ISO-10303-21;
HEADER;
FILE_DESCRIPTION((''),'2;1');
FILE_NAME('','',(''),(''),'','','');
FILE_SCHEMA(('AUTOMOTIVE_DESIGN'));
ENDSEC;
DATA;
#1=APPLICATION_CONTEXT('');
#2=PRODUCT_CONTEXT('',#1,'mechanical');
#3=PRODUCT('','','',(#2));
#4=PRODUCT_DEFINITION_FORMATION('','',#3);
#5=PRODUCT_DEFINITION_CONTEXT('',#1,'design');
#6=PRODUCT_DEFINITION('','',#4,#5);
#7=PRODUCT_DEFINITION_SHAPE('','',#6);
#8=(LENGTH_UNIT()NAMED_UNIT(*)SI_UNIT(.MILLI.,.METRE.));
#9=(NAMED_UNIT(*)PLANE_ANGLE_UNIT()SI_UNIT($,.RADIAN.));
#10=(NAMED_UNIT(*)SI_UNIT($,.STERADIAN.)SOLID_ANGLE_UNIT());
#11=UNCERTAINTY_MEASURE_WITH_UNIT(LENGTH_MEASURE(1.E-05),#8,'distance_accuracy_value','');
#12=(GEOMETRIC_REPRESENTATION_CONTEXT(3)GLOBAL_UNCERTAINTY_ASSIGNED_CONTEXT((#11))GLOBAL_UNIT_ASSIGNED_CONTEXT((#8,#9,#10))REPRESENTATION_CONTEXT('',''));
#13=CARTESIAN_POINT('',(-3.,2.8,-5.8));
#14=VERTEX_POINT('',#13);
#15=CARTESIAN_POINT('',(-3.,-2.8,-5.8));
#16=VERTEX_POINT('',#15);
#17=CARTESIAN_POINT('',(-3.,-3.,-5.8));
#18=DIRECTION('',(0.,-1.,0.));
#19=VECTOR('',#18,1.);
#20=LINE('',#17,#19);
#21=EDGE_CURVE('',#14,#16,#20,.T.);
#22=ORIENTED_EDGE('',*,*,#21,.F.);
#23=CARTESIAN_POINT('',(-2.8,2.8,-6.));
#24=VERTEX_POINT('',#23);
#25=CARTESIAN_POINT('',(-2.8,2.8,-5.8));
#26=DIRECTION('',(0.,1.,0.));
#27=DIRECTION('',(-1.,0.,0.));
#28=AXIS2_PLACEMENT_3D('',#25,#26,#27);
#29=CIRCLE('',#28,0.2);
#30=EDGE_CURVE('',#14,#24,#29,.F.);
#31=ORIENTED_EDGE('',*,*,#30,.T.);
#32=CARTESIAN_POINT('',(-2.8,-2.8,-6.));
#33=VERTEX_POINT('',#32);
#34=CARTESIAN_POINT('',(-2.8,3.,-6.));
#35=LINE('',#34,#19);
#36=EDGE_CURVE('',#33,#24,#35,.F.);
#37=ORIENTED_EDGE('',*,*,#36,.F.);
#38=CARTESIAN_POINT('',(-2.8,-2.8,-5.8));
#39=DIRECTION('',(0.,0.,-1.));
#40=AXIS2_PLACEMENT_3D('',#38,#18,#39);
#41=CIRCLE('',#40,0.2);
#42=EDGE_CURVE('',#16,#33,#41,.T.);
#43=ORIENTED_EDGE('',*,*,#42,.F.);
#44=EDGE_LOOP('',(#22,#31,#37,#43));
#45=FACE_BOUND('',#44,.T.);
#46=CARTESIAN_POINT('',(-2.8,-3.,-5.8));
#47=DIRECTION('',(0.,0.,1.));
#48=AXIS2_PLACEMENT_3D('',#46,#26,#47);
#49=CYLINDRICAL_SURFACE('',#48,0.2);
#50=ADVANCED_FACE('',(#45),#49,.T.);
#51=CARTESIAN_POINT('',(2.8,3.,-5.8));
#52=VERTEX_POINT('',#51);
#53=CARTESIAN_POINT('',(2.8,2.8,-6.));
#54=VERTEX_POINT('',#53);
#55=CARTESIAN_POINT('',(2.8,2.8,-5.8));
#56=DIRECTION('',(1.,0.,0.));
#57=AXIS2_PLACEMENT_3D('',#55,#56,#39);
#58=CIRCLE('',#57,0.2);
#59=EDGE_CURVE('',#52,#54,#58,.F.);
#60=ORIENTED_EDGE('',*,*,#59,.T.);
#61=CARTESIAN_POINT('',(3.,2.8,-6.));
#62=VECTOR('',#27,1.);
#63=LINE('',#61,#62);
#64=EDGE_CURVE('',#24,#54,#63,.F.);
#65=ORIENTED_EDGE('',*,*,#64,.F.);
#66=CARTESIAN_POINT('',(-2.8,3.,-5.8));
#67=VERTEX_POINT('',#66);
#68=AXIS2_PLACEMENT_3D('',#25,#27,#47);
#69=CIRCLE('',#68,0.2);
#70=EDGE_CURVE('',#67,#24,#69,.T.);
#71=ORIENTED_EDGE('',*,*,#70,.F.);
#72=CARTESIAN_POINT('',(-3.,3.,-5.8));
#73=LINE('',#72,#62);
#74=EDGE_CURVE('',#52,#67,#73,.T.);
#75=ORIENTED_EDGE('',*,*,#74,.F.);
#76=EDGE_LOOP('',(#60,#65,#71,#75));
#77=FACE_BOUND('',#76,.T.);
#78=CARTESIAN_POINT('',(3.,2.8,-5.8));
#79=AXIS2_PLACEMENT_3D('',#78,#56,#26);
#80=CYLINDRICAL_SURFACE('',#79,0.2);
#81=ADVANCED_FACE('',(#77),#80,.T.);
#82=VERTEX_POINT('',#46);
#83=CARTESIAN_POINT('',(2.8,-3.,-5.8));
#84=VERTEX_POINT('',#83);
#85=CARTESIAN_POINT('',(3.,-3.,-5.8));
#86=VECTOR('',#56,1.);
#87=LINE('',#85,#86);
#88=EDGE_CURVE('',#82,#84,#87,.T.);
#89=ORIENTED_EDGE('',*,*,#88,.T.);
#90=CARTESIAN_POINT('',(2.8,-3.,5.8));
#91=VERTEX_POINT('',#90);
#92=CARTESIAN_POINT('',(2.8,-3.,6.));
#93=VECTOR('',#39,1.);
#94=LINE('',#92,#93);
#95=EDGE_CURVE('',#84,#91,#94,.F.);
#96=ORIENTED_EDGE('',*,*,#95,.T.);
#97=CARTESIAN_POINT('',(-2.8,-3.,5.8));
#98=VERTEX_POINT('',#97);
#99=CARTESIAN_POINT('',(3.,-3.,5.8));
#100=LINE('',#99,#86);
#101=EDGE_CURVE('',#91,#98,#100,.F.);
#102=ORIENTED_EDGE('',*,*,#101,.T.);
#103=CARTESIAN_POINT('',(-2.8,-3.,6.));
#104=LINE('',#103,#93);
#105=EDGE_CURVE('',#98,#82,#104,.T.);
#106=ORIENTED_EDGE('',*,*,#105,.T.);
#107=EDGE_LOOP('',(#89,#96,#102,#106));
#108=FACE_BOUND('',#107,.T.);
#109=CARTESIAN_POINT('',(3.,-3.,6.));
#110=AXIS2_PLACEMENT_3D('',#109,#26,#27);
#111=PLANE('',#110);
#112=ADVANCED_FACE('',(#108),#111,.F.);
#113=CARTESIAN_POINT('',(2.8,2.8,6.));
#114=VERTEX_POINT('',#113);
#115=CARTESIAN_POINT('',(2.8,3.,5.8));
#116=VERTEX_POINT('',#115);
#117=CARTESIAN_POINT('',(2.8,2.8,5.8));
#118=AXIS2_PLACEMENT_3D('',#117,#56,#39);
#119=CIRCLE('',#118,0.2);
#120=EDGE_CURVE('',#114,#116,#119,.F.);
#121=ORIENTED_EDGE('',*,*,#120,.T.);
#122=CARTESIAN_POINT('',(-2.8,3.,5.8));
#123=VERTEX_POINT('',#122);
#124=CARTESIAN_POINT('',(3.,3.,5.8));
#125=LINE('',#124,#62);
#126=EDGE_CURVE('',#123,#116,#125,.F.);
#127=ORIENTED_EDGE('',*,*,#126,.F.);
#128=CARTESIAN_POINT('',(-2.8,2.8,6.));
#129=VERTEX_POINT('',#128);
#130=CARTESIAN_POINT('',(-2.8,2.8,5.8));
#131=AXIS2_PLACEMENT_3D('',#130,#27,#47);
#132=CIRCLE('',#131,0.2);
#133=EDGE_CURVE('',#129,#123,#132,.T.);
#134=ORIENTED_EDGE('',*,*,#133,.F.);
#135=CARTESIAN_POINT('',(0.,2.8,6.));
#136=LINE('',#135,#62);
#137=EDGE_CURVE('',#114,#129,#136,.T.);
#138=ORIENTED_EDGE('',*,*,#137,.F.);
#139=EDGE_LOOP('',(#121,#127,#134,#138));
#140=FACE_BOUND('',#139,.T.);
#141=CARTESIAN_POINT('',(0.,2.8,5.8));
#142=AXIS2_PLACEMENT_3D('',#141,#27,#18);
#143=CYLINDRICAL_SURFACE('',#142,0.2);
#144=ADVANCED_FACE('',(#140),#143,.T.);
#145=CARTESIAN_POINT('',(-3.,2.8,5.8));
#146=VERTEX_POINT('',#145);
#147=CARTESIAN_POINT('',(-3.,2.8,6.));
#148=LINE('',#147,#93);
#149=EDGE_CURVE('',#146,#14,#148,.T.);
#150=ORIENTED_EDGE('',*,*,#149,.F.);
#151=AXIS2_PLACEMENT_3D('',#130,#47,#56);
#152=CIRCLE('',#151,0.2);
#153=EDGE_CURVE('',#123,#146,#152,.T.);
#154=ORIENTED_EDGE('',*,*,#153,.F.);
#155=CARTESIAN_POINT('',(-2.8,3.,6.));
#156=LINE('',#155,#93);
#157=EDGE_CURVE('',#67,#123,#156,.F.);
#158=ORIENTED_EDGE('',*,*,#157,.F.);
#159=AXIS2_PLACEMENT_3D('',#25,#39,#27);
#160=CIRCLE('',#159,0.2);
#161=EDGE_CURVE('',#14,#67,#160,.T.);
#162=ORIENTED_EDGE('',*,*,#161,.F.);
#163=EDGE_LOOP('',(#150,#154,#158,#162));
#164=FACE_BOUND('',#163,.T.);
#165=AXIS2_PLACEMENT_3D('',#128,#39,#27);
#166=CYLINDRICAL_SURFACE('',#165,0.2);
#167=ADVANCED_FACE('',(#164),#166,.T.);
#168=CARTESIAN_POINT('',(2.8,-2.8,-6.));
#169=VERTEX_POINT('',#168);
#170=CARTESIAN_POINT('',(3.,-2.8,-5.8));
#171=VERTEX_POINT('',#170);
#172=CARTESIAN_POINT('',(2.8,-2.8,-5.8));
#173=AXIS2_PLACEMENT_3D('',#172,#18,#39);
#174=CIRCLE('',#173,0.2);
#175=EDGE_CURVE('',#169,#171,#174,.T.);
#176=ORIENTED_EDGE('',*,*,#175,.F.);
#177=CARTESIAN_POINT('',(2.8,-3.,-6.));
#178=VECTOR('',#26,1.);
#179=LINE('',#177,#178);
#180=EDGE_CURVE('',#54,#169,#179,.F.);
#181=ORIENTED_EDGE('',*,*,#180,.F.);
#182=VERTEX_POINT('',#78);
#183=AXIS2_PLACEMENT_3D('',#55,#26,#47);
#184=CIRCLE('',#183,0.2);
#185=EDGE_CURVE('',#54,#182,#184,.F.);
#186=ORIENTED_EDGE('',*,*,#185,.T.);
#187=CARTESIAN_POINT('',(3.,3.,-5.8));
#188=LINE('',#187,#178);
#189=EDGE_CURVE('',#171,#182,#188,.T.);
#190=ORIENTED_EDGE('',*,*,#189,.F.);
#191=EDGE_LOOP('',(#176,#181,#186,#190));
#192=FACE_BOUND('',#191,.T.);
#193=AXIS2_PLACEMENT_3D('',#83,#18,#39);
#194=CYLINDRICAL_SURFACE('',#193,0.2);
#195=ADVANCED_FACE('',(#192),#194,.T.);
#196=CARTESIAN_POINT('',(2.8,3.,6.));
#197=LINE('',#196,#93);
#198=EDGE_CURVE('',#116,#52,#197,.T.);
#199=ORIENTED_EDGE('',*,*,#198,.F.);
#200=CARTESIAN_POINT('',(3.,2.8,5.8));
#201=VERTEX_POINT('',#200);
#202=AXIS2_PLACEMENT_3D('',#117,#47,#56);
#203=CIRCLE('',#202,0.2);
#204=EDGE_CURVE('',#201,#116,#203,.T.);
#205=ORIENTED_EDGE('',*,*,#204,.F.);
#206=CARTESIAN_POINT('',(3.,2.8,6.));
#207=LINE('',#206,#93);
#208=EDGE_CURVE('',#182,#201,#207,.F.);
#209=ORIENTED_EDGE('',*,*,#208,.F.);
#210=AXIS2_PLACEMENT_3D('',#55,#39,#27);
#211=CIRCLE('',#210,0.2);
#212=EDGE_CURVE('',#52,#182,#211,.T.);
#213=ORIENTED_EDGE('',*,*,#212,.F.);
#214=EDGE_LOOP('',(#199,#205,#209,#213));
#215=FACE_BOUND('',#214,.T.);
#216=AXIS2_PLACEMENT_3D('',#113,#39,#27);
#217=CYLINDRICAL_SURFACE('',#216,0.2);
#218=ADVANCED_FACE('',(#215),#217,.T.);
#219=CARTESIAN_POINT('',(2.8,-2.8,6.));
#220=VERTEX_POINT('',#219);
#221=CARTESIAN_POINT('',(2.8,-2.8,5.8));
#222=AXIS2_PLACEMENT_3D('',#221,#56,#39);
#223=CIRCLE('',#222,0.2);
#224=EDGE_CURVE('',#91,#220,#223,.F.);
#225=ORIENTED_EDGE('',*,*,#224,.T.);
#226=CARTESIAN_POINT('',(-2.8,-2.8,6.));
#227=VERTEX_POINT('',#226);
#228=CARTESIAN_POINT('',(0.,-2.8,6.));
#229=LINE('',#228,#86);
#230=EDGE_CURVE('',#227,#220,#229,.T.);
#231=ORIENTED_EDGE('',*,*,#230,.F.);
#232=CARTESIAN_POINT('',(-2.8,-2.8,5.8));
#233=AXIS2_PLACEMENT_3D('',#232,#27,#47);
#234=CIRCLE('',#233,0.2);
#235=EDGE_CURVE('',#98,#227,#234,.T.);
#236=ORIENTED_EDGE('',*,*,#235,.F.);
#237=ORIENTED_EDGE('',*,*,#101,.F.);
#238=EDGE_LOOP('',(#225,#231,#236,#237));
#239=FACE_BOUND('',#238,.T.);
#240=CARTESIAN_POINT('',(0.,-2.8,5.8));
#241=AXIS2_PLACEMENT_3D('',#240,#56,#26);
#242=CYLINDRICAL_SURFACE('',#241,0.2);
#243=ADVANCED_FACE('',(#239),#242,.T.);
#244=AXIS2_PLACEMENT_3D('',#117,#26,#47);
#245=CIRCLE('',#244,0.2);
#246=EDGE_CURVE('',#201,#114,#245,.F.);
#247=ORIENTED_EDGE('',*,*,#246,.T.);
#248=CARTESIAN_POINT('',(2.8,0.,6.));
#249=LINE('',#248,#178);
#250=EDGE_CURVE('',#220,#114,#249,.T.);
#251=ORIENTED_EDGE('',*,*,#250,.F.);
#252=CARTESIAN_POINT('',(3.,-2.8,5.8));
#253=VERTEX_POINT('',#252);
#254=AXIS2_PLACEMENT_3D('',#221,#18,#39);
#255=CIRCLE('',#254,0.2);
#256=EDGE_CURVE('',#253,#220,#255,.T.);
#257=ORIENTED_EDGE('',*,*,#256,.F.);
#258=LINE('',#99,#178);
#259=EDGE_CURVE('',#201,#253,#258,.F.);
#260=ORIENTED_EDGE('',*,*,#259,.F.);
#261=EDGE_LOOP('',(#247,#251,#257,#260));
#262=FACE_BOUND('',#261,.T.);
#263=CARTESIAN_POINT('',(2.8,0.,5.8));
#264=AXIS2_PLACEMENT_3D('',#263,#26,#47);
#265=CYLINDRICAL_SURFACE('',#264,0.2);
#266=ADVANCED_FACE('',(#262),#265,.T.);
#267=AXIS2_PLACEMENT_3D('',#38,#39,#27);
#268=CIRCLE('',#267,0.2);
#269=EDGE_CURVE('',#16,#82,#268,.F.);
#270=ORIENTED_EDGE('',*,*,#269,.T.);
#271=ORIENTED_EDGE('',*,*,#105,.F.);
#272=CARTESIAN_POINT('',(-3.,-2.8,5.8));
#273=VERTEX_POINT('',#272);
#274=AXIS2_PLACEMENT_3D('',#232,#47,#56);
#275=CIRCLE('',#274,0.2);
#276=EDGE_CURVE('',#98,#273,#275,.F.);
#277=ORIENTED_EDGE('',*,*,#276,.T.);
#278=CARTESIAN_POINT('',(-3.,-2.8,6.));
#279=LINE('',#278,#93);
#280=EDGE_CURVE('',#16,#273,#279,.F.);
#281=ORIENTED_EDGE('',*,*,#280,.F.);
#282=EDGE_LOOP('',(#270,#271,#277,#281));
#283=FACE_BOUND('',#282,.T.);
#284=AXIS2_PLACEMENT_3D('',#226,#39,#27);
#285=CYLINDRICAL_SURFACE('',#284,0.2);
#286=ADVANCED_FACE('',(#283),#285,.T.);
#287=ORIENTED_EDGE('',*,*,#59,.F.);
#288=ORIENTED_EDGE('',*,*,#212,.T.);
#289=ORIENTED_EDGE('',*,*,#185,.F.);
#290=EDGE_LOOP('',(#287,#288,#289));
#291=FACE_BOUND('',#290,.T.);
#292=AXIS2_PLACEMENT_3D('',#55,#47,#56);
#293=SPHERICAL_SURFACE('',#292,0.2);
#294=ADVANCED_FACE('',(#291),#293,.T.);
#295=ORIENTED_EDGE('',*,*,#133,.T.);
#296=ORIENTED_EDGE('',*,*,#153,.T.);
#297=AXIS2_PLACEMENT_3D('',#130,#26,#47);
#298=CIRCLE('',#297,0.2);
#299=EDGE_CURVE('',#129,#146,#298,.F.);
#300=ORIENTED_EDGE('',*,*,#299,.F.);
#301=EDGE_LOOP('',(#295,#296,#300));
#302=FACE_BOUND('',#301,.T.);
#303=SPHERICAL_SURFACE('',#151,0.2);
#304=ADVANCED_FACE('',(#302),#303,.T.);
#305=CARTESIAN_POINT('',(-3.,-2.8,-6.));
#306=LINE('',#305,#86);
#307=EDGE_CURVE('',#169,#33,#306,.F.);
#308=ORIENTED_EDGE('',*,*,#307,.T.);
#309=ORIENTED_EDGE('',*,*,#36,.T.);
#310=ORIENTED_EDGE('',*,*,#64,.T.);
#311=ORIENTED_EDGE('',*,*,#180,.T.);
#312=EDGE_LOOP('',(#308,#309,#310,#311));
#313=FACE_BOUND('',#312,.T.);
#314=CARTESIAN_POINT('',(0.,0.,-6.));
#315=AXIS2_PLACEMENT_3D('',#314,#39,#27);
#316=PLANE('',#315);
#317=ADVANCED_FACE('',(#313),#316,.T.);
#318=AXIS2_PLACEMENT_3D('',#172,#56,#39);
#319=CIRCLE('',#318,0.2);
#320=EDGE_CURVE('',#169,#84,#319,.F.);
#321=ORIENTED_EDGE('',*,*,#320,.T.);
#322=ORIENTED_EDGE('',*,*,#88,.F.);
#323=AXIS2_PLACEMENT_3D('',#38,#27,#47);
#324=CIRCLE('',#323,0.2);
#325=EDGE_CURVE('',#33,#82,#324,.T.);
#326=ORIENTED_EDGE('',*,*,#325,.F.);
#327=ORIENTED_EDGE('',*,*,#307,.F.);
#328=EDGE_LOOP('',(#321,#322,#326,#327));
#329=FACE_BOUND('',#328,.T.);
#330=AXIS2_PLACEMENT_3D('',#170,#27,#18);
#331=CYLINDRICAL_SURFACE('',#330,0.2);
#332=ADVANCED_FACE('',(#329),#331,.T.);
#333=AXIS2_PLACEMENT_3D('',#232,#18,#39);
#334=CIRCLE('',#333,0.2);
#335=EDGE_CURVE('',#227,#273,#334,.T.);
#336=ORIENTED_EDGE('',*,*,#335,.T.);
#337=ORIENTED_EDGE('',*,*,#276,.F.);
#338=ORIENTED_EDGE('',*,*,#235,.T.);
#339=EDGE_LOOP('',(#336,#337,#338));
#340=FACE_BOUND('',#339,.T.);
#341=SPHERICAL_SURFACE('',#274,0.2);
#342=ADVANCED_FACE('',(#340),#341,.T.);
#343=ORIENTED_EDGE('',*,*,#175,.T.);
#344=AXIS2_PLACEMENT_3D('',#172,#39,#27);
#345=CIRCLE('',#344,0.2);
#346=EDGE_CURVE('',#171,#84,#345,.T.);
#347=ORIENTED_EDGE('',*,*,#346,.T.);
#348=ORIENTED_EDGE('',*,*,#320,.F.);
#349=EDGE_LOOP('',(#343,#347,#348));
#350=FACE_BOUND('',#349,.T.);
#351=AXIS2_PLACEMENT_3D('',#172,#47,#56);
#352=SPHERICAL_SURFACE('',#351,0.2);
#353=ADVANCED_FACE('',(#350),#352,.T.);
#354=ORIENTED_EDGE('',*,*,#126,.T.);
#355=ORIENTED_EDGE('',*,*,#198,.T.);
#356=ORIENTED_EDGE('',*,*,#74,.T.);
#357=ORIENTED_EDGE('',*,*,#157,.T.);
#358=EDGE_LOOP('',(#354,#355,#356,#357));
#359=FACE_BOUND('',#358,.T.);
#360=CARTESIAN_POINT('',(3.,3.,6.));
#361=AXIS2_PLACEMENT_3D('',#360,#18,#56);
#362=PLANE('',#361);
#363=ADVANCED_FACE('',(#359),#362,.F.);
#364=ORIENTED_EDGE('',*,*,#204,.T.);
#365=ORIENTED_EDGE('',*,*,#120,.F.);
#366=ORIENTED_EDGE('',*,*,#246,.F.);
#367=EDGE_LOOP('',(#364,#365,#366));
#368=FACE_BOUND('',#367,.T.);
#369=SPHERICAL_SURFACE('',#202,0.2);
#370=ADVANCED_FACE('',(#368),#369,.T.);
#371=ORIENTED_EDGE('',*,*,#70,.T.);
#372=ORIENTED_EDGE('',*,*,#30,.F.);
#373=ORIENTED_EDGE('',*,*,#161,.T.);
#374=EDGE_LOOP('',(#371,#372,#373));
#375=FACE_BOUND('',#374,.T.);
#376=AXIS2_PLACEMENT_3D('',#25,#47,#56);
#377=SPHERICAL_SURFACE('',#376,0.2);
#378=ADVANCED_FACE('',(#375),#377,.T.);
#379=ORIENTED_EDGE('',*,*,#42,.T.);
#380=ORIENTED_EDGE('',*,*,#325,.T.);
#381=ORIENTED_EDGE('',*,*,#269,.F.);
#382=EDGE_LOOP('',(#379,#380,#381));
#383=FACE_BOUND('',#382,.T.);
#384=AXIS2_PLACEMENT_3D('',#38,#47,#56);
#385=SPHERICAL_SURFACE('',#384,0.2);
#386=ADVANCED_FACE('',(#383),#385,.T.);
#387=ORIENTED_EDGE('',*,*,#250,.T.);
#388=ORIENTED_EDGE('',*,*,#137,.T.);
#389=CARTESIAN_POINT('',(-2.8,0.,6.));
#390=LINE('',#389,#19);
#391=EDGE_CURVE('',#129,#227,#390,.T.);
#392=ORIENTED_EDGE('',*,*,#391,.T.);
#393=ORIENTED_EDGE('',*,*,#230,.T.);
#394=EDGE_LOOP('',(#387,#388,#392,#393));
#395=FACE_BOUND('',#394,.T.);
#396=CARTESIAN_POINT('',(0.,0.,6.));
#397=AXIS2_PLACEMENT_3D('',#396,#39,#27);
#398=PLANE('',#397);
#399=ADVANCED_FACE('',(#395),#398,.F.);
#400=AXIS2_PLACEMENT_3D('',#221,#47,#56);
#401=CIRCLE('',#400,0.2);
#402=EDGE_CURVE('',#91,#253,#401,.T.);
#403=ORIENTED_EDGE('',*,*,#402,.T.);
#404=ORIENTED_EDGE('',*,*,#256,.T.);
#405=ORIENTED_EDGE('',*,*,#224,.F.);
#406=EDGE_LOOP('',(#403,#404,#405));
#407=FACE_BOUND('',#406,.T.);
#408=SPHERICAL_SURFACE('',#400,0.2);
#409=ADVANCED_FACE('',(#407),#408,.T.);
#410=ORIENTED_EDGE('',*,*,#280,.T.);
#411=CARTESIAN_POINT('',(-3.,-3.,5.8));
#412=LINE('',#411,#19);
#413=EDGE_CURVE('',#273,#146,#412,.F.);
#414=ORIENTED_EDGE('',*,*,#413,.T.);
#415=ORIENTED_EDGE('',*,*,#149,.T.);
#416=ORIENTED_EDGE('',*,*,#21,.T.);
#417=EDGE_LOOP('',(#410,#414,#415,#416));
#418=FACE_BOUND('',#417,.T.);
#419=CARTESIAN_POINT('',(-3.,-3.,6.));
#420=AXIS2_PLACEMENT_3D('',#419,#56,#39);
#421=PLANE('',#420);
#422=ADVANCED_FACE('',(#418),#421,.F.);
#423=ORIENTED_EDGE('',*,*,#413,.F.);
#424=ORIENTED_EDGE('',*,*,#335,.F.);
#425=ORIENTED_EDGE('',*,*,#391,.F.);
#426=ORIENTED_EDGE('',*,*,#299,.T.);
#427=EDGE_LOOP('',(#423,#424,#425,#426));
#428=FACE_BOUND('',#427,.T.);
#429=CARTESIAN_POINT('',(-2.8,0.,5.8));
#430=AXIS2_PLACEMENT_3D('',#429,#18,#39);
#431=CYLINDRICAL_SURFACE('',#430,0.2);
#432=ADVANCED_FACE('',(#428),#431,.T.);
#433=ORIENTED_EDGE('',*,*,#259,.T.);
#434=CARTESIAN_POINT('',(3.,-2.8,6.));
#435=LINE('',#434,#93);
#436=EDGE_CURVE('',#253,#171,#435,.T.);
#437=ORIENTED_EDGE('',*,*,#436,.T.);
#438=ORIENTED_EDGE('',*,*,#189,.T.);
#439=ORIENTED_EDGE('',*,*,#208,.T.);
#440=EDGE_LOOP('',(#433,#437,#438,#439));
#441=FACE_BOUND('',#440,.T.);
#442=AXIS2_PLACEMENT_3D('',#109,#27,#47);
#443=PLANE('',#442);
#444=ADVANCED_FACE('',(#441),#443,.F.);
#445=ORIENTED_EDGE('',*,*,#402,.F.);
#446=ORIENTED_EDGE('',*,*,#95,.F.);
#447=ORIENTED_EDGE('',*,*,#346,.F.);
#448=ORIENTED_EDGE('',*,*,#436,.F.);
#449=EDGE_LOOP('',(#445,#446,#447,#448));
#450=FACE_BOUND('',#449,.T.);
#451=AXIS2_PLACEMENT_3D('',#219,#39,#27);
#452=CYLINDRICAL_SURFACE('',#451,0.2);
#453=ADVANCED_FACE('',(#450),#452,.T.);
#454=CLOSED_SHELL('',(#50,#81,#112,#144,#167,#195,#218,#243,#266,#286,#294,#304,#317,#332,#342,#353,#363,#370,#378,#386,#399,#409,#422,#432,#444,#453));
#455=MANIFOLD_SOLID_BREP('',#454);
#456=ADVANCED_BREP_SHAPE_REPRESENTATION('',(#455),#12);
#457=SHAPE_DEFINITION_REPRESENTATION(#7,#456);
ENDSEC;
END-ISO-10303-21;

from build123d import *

# Parameters (mm, degrees)
SKETCH3_W                = 6
SKETCH3_H                = 6
BOSS_EXTRUDE1_DEPTH      = 6
BOSS_EXTRUDE1_DEPTH_BACK = 6
FILLET2_R                = 0.2


with BuildPart() as part:
    # Sketch3 → Boss-Extrude1 (new body, two sides)
    with BuildSketch(Plane.XY) as boss_extrude1_sk:
        Rectangle(SKETCH3_W, SKETCH3_H)
    extrude(amount=BOSS_EXTRUDE1_DEPTH)
    extrude(boss_extrude1_sk.sketch, amount=-BOSS_EXTRUDE1_DEPTH_BACK)

    # Fillet2
    fillet2_edges = [part.edges().sort_by_distance(p)[0] for p in [
        (0, 3, 6),
        (0, -3, -6),
        (-3, 0, -6),
        (0, 3, -6),
        (3, 0, -6),
        (-3, 0, 6),
        (0, -3, 6),
        (3, 0, 6),
        (-3, -3, 0),
        (-3, 3, 0),
        (3, 3, 0),
        (3, -3, 0),
    ]]
    fillet(fillet2_edges, radius=FILLET2_R)


solid = part.part
